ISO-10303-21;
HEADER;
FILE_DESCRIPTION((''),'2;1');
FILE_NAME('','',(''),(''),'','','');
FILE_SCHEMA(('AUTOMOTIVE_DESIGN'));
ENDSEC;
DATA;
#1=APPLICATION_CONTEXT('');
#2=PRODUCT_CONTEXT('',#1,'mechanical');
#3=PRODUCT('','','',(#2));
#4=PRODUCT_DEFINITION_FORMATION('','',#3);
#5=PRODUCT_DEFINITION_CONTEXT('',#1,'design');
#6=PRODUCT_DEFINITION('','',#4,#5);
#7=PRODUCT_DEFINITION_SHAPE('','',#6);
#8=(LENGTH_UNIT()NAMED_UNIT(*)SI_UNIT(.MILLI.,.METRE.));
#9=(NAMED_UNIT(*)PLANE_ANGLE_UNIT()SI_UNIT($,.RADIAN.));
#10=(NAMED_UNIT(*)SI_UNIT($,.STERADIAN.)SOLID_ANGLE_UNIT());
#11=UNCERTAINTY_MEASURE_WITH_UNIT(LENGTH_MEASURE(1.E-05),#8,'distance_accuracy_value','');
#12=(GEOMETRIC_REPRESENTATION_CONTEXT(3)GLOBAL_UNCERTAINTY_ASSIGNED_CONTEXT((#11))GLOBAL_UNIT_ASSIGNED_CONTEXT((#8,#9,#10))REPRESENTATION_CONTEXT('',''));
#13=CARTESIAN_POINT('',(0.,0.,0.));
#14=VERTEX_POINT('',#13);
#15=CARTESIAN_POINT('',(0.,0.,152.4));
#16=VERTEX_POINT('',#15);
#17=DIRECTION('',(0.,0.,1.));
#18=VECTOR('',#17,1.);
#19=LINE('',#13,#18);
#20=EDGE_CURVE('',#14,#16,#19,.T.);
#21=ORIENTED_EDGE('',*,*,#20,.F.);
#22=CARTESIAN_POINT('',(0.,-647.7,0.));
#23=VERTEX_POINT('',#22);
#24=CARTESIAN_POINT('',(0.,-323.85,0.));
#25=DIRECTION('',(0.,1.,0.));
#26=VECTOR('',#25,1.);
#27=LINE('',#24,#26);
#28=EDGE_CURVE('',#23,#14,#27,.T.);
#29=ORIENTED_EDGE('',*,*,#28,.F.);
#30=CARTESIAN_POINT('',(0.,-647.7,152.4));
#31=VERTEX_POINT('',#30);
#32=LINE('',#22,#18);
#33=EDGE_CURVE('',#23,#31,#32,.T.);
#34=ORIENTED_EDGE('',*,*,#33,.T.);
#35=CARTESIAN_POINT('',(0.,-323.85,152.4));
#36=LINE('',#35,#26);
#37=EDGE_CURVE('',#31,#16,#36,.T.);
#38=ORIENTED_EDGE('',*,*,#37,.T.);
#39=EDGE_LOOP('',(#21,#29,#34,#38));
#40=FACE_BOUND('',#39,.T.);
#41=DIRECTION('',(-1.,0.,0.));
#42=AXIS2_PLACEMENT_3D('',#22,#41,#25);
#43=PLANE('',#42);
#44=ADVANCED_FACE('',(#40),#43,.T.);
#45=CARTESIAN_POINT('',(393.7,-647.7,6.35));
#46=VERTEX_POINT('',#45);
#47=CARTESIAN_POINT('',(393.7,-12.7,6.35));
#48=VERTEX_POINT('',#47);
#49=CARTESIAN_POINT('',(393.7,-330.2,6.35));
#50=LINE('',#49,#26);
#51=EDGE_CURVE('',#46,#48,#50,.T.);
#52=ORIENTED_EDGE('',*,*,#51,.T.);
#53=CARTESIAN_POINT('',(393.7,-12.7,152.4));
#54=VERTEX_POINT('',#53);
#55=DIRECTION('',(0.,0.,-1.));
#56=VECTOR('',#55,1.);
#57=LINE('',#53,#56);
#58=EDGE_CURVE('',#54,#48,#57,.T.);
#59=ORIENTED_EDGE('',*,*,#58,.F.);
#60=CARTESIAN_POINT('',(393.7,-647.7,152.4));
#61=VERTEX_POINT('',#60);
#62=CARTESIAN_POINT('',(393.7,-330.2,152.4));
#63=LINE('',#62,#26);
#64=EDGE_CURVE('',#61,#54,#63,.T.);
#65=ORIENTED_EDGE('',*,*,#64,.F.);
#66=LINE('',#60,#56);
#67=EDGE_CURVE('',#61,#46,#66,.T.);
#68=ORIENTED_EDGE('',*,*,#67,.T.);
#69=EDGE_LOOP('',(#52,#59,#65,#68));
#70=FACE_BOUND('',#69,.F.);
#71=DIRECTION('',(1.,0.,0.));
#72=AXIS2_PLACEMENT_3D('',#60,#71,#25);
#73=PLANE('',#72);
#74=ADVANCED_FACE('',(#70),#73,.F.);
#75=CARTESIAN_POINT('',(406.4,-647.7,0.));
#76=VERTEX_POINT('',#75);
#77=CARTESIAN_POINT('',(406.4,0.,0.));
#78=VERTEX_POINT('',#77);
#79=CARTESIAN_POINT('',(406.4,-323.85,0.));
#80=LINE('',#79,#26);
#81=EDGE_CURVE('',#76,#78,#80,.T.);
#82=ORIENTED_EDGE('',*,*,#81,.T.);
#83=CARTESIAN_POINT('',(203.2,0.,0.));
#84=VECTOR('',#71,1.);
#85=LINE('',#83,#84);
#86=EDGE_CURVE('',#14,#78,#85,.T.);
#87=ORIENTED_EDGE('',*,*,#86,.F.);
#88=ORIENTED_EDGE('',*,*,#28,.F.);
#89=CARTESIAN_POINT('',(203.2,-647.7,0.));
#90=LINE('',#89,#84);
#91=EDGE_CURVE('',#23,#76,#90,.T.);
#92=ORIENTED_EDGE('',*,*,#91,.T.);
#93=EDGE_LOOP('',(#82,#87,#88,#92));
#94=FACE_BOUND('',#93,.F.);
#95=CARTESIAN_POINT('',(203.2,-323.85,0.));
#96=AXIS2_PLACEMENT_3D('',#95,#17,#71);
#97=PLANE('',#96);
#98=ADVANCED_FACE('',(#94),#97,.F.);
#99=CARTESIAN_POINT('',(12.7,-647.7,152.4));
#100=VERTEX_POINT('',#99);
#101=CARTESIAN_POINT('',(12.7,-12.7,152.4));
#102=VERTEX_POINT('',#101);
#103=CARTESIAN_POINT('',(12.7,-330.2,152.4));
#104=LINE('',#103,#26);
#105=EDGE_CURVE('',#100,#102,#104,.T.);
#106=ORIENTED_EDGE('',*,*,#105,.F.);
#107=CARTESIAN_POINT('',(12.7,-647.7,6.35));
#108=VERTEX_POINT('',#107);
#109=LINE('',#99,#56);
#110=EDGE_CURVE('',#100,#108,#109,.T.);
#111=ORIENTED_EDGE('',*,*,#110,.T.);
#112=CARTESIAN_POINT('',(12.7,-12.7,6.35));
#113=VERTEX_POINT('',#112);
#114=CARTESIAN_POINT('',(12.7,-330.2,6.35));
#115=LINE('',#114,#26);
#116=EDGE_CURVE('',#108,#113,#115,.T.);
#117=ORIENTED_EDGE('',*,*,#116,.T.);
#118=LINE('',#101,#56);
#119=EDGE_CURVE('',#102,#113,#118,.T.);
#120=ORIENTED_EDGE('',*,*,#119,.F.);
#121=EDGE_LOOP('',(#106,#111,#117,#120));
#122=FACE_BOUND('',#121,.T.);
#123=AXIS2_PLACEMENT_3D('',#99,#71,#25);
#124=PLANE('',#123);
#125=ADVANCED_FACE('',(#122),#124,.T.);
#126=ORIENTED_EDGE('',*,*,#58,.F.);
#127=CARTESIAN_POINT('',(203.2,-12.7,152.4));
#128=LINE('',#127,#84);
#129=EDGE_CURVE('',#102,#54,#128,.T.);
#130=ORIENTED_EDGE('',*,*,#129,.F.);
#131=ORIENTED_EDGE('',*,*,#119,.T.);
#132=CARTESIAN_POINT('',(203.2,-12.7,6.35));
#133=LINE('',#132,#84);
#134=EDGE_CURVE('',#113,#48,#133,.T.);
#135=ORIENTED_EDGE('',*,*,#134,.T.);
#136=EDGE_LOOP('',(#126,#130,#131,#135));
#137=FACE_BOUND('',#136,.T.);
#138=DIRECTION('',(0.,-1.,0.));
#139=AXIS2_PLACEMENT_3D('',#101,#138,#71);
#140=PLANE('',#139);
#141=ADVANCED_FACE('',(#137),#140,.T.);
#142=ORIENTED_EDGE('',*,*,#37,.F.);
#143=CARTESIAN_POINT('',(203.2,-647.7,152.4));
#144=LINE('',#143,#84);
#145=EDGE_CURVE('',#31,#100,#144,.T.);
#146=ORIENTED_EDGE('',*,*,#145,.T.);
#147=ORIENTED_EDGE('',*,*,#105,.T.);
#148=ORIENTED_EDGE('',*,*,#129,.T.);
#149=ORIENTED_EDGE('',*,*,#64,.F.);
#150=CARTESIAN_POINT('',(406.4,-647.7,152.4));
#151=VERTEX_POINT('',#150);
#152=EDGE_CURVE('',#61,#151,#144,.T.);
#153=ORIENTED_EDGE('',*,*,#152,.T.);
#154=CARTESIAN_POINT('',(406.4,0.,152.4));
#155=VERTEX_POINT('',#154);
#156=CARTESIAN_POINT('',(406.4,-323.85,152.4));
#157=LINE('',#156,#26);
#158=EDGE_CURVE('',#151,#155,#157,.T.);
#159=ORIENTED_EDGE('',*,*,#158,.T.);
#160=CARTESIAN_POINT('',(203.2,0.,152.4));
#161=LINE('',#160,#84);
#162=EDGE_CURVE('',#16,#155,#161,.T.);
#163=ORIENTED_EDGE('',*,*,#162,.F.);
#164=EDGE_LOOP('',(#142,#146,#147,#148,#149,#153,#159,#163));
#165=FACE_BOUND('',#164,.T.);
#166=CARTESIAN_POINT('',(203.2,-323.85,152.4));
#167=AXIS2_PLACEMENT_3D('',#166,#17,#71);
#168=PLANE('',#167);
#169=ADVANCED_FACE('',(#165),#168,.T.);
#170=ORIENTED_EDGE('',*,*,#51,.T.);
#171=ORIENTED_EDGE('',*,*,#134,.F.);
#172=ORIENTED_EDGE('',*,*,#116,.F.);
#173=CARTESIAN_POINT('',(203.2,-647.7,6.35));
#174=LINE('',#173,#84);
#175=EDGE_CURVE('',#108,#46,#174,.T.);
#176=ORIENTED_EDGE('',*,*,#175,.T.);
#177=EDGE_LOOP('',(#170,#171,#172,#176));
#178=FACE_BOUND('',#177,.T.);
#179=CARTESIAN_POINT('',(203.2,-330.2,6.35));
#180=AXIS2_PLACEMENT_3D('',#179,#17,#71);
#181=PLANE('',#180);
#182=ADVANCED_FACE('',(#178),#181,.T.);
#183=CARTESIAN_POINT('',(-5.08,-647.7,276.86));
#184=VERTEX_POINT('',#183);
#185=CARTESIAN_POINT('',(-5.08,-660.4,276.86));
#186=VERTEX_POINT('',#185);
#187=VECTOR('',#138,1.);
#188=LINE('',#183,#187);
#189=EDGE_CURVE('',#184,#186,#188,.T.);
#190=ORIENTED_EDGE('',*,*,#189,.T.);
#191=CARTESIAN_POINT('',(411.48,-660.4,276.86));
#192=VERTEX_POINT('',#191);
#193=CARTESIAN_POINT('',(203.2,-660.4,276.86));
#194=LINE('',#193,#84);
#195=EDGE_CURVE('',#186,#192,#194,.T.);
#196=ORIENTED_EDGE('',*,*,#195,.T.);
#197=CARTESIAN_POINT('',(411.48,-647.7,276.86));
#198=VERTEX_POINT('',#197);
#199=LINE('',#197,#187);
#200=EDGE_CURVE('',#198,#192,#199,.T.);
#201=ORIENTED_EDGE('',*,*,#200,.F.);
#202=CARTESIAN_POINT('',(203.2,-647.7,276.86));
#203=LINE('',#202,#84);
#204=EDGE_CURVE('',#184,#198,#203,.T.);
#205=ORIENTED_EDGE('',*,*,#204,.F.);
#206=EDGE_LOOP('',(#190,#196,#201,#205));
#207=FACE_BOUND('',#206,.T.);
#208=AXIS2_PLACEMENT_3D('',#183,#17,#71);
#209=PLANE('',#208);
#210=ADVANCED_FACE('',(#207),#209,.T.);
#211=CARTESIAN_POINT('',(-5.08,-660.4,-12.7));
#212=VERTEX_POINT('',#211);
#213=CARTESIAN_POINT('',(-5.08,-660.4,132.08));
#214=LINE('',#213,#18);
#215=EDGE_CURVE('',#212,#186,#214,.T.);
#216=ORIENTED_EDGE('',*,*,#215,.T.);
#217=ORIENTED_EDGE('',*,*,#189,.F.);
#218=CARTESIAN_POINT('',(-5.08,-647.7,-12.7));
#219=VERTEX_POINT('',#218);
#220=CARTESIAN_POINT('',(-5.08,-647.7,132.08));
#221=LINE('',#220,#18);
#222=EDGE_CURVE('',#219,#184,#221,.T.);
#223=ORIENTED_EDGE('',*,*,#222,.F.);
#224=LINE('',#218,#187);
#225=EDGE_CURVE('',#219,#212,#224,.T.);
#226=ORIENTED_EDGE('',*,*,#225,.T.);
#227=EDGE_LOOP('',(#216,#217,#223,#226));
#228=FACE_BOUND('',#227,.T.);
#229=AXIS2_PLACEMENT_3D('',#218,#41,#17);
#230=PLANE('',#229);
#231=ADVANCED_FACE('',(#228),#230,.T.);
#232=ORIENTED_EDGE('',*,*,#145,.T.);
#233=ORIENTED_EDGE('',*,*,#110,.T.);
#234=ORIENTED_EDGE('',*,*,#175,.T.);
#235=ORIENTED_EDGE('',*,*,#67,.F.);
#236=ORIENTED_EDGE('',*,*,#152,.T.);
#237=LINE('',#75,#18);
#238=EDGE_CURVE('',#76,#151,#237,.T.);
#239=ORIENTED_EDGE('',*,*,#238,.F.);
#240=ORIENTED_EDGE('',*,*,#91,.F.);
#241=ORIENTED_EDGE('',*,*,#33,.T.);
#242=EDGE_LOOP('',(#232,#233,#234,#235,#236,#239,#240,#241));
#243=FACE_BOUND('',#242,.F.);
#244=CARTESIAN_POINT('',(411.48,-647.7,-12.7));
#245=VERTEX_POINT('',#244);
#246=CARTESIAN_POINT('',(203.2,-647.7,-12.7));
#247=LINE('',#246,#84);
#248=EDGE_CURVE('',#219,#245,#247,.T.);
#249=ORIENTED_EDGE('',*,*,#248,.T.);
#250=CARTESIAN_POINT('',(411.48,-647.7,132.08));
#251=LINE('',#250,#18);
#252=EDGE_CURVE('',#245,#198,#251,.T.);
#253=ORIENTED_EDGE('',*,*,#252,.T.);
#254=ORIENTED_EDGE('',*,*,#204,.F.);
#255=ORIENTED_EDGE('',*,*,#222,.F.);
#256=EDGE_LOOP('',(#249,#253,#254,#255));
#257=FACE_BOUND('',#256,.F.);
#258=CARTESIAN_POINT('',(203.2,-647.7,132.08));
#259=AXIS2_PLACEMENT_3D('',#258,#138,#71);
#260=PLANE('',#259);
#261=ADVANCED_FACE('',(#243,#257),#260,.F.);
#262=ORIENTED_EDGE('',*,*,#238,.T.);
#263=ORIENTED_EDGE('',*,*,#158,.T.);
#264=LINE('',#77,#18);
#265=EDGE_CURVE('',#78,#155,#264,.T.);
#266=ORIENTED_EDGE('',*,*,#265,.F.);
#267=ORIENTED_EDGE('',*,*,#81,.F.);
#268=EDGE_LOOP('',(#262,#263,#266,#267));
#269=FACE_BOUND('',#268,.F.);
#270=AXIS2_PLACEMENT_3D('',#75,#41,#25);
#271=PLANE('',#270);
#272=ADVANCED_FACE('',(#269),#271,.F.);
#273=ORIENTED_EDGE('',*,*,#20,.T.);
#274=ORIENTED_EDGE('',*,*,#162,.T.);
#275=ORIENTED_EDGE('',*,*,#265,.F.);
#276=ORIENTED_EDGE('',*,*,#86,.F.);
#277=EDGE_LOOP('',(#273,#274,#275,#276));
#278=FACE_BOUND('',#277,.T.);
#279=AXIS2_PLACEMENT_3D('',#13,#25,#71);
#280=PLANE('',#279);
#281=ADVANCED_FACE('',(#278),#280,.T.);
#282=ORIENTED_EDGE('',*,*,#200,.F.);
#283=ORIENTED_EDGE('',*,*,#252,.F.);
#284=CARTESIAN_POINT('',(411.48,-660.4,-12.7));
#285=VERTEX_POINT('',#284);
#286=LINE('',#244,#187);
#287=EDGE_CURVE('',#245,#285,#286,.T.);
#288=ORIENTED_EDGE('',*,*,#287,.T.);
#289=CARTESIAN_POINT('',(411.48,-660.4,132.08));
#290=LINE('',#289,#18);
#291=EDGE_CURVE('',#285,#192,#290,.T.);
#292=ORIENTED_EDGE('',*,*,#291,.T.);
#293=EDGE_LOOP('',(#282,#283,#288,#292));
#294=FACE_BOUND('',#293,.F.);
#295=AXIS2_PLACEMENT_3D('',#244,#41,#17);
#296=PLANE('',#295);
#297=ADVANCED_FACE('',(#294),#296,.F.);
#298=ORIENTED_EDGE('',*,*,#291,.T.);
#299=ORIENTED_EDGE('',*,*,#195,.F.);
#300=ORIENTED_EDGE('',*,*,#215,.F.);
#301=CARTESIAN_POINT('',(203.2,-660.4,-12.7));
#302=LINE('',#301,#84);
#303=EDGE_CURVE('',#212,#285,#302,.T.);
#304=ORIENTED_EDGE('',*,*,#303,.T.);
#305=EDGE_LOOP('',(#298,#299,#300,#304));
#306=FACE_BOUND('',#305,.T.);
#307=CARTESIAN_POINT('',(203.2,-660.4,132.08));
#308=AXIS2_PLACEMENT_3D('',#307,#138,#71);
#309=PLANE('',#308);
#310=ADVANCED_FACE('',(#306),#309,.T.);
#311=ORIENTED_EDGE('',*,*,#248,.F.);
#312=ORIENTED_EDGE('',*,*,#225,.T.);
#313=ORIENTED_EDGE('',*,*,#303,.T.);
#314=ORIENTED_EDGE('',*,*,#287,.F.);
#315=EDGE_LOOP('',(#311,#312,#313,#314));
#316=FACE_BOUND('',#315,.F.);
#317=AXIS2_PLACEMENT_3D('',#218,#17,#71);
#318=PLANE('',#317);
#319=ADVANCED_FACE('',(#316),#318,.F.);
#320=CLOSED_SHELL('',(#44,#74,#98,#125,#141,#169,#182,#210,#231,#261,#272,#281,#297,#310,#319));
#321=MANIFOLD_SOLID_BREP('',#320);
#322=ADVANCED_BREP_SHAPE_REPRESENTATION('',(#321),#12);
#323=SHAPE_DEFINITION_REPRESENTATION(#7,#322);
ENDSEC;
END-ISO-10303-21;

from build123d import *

# Parameters (mm, degrees)
F0_W     = 406.4
F0_H     = 647.7
F1_DEPTH = 152.4
F2_W     = 416.56
F2_H     = 289.56
F2_W_2   = 406.4
F2_H_2   = 152.4
F3_DEPTH = 12.7
F4_W     = 381
F4_H     = 635
F5_DEPTH = 146.05


with BuildPart() as f1:
    # F0 (on Top) → F1 (new body)
    with BuildSketch(Plane.XY):
        with Locations((203.2, -323.85)):
            Rectangle(F0_W, F0_H)
    extrude(amount=F1_DEPTH)

    # F2 (on face) → F3 (join)
    with BuildSketch(Plane.XZ.offset(647.7)):
        with Locations((203.2, 132.08)):
            Rectangle(F2_W, F2_H)
        with Locations((203.2, 76.2)):
            Rectangle(F2_W_2, F2_H_2, mode=Mode.SUBTRACT)
        with Locations((203.2, 76.2)):
            Rectangle(F2_W_2, F2_H_2)
    extrude(amount=F3_DEPTH)

    # F4 (on face) → F5 (cut)
    with BuildSketch(Plane.XY.offset(152.4)):
        with Locations((203.2, -330.2)):
            Rectangle(F4_W, F4_H)
    extrude(amount=-F5_DEPTH, mode=Mode.SUBTRACT)


solid = f1.part
